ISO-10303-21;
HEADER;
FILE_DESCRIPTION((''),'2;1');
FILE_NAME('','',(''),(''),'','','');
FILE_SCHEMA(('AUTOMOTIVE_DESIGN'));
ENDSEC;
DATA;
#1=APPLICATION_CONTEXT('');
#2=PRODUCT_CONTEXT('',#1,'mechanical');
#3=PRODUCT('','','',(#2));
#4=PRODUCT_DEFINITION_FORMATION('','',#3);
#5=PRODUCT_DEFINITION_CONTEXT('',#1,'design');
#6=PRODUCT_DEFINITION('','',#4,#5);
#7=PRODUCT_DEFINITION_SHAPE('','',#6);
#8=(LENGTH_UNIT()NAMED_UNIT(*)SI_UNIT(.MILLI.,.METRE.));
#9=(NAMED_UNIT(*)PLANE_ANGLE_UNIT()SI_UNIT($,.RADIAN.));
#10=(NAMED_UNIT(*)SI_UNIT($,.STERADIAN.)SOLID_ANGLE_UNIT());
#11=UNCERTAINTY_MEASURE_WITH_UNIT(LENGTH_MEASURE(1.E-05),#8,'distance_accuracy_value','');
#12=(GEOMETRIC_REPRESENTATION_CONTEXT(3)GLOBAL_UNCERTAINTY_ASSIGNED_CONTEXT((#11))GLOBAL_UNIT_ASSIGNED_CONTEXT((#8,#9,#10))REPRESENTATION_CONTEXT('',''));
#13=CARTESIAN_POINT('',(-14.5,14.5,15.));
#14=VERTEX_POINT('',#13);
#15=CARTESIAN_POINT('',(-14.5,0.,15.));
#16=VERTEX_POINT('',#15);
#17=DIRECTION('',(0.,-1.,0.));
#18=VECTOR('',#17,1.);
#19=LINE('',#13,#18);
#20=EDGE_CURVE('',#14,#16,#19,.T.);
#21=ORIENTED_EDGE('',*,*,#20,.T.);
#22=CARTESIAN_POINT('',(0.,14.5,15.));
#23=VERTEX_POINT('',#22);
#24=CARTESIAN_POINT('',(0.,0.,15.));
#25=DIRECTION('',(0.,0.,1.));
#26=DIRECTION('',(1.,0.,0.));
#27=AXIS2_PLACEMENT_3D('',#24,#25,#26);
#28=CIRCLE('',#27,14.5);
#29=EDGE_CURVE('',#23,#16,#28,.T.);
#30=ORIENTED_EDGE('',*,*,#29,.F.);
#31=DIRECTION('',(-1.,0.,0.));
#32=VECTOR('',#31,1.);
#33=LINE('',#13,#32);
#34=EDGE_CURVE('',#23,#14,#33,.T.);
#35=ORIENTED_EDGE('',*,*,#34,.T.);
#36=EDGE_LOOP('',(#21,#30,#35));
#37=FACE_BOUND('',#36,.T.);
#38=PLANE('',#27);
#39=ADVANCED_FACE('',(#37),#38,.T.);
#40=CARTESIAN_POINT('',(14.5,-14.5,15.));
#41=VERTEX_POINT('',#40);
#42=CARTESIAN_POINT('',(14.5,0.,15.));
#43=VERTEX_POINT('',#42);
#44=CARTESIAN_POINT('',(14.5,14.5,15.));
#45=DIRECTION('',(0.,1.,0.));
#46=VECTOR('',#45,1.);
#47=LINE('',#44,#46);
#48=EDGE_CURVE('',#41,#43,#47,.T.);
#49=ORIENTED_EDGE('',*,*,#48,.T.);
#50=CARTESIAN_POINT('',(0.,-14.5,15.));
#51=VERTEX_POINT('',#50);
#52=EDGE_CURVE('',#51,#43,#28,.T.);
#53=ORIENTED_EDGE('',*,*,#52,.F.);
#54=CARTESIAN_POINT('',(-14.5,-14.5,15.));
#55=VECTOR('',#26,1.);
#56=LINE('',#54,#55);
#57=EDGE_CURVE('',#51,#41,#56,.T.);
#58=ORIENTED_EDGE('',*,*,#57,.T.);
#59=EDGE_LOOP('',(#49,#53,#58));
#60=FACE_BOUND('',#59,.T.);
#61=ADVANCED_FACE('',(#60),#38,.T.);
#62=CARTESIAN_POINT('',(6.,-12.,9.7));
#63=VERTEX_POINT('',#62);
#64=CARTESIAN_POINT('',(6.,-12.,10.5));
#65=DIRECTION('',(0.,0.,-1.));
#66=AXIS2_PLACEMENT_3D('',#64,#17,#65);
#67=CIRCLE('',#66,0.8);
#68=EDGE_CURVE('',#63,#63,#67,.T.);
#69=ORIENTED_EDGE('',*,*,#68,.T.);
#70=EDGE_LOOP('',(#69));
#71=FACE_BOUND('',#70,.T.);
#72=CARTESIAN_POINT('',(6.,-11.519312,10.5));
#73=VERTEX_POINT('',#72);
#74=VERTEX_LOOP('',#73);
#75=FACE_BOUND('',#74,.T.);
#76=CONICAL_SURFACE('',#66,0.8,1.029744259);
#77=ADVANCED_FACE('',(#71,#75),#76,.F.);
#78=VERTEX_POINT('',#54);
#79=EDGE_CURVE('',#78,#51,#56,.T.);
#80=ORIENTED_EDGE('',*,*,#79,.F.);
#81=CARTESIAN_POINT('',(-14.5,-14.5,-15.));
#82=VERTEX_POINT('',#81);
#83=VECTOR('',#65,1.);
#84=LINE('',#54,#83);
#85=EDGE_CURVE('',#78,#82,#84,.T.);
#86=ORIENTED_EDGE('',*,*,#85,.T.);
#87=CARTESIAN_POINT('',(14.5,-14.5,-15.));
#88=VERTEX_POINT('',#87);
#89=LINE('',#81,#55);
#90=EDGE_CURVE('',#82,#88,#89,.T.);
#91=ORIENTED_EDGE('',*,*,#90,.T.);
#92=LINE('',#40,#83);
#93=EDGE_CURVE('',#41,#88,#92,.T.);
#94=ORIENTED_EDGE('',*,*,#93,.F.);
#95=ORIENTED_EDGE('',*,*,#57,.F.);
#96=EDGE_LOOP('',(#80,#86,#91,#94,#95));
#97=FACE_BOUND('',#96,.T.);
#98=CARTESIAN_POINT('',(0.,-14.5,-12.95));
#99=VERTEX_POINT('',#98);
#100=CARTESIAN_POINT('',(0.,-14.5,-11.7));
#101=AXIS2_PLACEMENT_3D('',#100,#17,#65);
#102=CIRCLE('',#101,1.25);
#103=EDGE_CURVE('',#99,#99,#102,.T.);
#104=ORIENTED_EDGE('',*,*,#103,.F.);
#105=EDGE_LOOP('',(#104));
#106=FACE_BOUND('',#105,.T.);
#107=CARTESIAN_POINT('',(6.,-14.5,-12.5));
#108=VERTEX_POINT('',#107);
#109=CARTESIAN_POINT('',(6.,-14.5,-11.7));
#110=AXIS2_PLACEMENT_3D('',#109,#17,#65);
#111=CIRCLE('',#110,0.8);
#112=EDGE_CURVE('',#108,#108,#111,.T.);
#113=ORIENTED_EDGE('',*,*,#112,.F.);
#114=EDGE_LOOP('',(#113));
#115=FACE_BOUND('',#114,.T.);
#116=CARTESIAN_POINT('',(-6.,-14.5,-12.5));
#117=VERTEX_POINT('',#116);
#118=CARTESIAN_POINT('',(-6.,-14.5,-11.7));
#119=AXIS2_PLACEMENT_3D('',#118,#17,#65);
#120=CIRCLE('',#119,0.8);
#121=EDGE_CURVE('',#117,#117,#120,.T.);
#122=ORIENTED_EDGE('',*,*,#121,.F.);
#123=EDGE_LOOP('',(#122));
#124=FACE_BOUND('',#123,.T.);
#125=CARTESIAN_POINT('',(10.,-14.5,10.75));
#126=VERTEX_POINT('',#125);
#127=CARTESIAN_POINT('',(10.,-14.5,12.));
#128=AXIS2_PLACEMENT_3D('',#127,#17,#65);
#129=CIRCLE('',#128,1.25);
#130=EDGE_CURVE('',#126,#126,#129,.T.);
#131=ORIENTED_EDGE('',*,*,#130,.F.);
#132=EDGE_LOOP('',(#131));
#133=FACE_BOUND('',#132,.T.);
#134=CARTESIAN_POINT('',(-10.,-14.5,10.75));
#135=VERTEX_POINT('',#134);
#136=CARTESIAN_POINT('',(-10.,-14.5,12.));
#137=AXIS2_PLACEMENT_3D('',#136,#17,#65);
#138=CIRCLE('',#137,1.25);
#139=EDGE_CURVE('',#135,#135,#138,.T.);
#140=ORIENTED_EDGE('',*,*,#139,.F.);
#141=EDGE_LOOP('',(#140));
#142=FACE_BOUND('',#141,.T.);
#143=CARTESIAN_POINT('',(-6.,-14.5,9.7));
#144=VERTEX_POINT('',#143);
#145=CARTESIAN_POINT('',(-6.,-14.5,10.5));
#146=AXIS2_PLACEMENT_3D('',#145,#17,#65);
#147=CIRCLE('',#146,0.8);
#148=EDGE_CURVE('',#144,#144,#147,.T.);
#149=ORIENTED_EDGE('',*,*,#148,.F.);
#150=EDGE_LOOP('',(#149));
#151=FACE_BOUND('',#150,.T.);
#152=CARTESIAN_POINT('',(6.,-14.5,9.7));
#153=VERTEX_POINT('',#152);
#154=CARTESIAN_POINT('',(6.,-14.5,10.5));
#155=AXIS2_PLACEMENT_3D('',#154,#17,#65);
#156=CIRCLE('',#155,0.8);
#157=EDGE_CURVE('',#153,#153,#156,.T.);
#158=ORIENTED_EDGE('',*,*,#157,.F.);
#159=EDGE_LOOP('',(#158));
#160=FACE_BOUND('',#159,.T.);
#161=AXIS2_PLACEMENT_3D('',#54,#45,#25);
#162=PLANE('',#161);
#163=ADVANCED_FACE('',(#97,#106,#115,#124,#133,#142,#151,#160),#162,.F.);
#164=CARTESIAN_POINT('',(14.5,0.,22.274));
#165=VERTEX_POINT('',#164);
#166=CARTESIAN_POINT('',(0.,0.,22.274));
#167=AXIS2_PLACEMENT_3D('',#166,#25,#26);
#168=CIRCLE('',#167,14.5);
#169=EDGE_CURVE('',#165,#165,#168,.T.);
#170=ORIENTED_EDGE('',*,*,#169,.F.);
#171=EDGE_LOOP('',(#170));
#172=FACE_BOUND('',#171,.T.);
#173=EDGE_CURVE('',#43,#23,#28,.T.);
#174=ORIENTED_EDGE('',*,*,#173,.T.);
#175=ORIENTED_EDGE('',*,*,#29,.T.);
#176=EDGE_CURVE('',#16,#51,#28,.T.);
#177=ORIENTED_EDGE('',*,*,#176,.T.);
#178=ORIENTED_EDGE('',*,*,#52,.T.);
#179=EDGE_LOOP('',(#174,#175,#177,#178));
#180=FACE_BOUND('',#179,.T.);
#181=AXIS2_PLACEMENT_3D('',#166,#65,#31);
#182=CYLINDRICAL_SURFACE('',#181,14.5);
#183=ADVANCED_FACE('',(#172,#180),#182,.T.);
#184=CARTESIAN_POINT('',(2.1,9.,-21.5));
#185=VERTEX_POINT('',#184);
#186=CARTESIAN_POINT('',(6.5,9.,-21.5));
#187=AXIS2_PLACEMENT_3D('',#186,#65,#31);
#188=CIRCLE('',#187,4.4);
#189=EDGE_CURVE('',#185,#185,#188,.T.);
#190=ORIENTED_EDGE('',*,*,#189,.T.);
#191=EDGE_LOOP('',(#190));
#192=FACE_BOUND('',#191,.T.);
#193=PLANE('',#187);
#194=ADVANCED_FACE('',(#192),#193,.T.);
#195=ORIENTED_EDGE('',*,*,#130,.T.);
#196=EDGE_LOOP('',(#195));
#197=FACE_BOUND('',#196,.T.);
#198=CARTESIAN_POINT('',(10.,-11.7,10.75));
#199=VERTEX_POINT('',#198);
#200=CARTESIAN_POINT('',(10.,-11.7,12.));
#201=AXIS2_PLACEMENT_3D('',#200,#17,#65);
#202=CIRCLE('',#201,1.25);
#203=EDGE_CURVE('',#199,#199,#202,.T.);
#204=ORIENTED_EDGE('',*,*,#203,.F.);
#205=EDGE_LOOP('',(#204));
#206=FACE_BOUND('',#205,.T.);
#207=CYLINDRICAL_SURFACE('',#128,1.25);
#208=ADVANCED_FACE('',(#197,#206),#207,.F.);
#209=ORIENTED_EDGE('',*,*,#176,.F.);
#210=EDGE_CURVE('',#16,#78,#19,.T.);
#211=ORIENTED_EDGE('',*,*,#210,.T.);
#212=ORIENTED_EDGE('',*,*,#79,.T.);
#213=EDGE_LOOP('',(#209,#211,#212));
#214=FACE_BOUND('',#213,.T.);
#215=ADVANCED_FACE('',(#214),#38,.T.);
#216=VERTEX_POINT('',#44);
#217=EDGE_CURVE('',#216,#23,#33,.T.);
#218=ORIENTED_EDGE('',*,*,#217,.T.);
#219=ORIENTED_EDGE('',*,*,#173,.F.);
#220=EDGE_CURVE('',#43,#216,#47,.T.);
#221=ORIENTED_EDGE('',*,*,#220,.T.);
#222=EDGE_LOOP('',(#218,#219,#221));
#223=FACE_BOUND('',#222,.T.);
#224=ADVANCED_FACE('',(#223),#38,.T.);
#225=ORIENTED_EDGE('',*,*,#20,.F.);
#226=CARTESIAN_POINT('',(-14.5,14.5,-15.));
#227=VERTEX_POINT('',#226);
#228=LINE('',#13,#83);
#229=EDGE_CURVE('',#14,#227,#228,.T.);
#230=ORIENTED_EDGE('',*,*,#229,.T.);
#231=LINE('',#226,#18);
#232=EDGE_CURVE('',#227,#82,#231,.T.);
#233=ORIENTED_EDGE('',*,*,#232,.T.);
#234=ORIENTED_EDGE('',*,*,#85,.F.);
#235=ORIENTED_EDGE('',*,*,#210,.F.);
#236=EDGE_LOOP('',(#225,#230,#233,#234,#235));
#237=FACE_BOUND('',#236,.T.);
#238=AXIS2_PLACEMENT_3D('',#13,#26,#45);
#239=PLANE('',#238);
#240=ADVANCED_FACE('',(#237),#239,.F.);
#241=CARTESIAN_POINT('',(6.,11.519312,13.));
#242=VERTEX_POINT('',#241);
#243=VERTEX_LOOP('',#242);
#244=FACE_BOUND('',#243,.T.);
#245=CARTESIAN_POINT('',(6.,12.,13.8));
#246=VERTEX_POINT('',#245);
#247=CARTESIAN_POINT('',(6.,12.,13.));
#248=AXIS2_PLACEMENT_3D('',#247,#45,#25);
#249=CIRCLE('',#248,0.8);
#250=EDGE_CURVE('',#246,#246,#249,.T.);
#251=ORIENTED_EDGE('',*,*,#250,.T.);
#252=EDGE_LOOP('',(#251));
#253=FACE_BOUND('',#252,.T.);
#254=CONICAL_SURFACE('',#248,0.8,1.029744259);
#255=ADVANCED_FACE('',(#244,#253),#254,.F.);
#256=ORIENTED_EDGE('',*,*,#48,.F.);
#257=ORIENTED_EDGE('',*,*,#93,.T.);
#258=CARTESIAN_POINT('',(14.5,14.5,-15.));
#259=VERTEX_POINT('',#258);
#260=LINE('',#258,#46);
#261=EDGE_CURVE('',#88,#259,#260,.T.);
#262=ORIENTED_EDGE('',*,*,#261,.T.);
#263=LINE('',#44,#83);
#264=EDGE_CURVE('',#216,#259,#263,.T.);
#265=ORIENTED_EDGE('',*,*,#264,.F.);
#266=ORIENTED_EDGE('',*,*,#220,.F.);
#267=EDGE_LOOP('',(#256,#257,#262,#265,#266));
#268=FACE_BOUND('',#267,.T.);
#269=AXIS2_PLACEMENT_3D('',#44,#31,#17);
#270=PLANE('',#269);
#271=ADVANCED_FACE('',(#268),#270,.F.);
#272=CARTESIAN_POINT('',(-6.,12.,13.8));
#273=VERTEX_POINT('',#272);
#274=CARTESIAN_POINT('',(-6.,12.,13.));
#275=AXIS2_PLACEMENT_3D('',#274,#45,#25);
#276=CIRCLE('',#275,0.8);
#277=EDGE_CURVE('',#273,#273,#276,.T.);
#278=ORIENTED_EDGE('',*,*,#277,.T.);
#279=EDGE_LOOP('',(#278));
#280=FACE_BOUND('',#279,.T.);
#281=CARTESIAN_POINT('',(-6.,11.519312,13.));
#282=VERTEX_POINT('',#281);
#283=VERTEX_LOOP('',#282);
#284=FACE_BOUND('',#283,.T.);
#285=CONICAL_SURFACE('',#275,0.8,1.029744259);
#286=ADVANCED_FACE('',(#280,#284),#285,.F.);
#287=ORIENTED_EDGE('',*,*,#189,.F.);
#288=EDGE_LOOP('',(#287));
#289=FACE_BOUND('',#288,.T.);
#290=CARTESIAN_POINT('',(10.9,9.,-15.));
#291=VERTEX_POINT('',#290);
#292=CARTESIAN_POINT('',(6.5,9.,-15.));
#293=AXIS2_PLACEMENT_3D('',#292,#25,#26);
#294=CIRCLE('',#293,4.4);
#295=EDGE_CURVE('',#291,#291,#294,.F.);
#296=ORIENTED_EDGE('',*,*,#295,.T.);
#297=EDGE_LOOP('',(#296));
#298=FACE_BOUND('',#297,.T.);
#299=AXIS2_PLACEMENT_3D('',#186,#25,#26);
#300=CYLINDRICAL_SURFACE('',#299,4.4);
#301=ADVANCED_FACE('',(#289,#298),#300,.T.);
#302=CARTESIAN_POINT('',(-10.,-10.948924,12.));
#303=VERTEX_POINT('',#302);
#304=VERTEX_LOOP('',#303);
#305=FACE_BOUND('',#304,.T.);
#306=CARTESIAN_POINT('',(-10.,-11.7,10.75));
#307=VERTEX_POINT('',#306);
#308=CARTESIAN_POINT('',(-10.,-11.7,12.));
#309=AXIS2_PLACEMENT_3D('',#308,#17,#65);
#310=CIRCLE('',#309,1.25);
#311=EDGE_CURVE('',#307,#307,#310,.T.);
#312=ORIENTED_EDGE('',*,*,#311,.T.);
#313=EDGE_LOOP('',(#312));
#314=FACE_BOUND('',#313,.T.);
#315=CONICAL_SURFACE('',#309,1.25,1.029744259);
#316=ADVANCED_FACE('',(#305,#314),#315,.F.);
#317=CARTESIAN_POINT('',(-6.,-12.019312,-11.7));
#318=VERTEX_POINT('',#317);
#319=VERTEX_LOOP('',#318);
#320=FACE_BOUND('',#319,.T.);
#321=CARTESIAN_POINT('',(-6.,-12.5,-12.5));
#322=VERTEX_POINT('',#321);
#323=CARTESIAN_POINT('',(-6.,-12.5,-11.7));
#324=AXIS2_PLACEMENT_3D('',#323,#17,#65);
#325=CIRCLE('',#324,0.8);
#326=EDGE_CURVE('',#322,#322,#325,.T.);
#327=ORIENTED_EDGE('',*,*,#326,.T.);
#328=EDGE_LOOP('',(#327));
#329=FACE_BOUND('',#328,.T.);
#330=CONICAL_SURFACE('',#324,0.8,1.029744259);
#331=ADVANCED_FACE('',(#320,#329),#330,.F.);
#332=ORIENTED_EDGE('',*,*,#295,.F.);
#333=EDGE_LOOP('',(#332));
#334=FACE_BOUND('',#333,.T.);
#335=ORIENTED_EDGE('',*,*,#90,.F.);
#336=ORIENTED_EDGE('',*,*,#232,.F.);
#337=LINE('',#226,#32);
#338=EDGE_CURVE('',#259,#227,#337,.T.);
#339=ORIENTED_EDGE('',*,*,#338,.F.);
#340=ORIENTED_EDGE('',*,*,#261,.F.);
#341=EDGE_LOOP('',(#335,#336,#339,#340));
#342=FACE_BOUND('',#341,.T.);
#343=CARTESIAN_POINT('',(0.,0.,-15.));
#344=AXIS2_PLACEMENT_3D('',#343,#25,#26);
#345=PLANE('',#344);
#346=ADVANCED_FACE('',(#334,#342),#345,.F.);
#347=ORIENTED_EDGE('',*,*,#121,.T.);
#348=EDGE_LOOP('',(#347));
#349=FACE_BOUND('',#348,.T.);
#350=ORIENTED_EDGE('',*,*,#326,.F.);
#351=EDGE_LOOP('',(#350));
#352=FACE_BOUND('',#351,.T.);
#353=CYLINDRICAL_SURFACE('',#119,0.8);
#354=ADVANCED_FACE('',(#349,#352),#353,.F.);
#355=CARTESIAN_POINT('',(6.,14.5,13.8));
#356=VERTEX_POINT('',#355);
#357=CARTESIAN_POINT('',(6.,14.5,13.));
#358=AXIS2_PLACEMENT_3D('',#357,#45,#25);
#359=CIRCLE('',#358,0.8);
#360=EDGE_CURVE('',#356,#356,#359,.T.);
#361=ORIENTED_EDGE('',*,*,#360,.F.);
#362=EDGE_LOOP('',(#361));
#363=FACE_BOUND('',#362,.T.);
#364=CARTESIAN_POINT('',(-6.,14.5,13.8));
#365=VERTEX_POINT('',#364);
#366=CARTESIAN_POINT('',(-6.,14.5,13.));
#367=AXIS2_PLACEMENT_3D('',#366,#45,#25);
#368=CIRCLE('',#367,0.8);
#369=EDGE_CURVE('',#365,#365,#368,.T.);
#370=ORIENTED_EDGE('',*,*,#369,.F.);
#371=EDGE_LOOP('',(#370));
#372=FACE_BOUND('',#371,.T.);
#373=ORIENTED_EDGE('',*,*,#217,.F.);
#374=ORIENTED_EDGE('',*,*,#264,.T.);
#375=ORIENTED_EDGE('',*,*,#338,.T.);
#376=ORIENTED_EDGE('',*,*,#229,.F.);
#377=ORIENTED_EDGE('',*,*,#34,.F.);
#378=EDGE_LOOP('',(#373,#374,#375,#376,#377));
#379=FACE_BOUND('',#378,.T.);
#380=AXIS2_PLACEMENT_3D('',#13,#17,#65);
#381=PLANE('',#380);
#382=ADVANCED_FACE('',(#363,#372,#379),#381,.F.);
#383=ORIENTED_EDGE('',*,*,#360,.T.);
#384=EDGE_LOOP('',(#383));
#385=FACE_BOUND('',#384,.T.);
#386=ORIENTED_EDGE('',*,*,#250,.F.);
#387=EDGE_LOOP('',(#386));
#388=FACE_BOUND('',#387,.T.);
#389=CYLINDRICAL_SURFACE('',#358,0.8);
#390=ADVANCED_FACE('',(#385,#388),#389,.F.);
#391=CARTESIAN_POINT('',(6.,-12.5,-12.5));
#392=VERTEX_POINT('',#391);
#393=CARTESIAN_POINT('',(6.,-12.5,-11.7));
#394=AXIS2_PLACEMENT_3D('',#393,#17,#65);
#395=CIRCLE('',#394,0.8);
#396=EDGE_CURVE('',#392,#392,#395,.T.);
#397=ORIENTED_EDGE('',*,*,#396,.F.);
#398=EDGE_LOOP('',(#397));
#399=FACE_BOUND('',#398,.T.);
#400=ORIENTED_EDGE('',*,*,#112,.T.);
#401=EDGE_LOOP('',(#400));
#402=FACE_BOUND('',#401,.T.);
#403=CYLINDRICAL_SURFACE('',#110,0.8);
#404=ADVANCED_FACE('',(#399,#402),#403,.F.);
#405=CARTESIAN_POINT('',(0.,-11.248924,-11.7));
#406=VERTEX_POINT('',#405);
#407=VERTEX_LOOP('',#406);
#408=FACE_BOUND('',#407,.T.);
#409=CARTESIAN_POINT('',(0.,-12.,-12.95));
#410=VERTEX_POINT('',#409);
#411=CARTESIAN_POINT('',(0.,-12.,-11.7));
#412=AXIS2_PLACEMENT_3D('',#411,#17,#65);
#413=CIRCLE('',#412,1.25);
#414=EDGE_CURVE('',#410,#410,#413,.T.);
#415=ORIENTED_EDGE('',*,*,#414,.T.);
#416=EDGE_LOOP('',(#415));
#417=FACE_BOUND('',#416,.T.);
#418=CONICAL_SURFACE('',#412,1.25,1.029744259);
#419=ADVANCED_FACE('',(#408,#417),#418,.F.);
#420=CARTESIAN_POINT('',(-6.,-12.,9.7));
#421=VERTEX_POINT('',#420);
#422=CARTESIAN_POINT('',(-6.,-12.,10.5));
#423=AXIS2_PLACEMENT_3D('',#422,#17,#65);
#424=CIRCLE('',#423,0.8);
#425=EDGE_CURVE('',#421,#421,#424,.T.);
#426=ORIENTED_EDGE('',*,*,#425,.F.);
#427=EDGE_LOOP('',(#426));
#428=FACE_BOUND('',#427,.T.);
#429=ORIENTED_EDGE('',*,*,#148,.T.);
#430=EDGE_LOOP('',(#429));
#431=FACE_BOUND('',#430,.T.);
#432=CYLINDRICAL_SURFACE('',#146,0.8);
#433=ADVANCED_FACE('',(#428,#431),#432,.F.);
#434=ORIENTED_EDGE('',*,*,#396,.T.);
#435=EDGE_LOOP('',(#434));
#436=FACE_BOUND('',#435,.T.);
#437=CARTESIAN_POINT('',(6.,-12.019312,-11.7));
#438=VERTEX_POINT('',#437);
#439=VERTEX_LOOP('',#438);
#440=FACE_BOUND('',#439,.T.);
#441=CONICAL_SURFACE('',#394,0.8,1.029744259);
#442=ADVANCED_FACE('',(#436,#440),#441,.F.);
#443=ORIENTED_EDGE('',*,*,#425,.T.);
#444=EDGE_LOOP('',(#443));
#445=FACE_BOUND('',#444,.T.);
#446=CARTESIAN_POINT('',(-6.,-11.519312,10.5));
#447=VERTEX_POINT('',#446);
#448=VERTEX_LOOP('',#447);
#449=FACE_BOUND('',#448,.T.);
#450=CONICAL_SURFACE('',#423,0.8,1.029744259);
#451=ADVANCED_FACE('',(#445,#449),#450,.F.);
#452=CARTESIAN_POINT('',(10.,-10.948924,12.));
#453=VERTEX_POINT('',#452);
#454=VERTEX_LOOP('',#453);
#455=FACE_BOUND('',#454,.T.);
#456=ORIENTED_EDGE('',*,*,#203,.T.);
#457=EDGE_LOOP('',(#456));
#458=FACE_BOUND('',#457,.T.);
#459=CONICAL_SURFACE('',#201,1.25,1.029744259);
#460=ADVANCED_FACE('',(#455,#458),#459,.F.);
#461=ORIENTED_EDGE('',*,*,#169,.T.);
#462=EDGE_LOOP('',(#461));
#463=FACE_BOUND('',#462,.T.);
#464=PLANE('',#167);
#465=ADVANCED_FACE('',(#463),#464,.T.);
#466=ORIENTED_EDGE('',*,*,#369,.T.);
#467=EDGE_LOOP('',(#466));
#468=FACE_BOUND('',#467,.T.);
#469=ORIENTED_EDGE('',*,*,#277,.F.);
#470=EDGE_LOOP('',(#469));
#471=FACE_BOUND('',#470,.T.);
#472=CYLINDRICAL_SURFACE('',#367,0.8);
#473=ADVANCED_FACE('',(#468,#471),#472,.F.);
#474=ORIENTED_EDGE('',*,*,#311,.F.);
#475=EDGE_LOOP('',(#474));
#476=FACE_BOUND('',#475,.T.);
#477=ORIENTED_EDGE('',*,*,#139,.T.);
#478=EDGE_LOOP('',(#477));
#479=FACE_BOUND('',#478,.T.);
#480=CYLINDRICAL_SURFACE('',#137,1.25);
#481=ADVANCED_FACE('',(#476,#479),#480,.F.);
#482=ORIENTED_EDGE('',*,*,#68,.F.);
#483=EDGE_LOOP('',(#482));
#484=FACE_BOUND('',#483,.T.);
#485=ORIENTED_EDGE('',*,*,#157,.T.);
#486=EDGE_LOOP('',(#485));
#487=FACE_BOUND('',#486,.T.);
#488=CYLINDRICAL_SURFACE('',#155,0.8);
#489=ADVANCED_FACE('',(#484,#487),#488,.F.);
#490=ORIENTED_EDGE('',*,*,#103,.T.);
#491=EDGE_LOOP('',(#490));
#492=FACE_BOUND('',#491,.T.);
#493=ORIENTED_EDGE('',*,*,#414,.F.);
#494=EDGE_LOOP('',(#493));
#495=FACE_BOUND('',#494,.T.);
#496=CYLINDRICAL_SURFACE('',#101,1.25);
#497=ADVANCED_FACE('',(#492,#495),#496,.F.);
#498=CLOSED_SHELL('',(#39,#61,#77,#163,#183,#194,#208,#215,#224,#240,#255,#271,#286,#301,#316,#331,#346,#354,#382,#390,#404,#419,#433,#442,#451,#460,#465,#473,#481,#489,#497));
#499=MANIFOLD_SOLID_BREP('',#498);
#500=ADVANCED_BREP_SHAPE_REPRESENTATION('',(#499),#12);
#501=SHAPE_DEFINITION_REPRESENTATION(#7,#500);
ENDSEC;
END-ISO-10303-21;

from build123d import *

# Parameters (mm, degrees)
SKETCH1_W                 = 29
SKETCH1_H                 = 29
BOSS_EXTRUDE1_DEPTH       = 15
SKETCH2_R                 = 14.5
BOSS_EXTRUDE2_DEPTH       = 7.274
M2X0_4_TAPPED_HOLE1_D     = 1.6
M2X0_4_TAPPED_HOLE1_DEPTH = 2.5
M2X0_4_TAPPED_HOLE1_TIP   = 0.480688495
M2X0_4_TAPPED_HOLE2_D     = 1.6
M2X0_4_TAPPED_HOLE2_DEPTH = 2
M2X0_4_TAPPED_HOLE2_TIP   = 0.480688495
M2X0_4_TAPPED_HOLE3_D     = 1.6
M2X0_4_TAPPED_HOLE3_DEPTH = 2.5
M2X0_4_TAPPED_HOLE3_TIP   = 0.480688495
M3X0_5_TAPPED_HOLE2_D     = 2.5
M3X0_5_TAPPED_HOLE2_DEPTH = 2.8
M3X0_5_TAPPED_HOLE2_TIP   = 0.751075774
M3X0_5_TAPPED_HOLE1_D     = 2.5
M3X0_5_TAPPED_HOLE1_DEPTH = 2.5
M3X0_5_TAPPED_HOLE1_TIP   = 0.751075774
SKETCH10_R                = 4.4
BOSS_EXTRUDE3_DEPTH       = 6.5


with BuildPart() as part:
    # Sketch1 → Boss-Extrude1 (new body, symmetric)
    with BuildSketch(Plane.XY):
        Rectangle(SKETCH1_W, SKETCH1_H)
    extrude(amount=BOSS_EXTRUDE1_DEPTH, both=True)

    # Sketch2 → Boss-Extrude2 (add)
    with BuildSketch(Plane.XY.offset(15)):
        Circle(SKETCH2_R)
    extrude(amount=BOSS_EXTRUDE2_DEPTH)

    # M2x0.4 Tapped Hole1
    with Locations(Plane(origin=(-6, 14.5, 13), x_dir=(0, 0, 1), z_dir=(0, 1, 0))):
        with Locations((0, 0), (0, 12)):
            Hole(M2X0_4_TAPPED_HOLE1_D / 2, depth=M2X0_4_TAPPED_HOLE1_DEPTH)
            with Locations((0, 0, -(M2X0_4_TAPPED_HOLE1_DEPTH + M2X0_4_TAPPED_HOLE1_TIP / 2))):  # 118° drill point
                Cone(0, M2X0_4_TAPPED_HOLE1_D / 2, M2X0_4_TAPPED_HOLE1_TIP, mode=Mode.SUBTRACT)

    # M2x0.4 Tapped Hole2
    with Locations(Plane(origin=(-6, -14.5, -11.7), x_dir=(0, 0, -1), z_dir=(0, -1, 0))):
        with Locations((0, 0), (0, 12)):
            Hole(M2X0_4_TAPPED_HOLE2_D / 2, depth=M2X0_4_TAPPED_HOLE2_DEPTH)
            with Locations((0, 0, -(M2X0_4_TAPPED_HOLE2_DEPTH + M2X0_4_TAPPED_HOLE2_TIP / 2))):  # 118° drill point
                Cone(0, M2X0_4_TAPPED_HOLE2_D / 2, M2X0_4_TAPPED_HOLE2_TIP, mode=Mode.SUBTRACT)

    # M2x0.4 Tapped Hole3
    with Locations(Plane(origin=(-6, -14.5, 10.5), x_dir=(0, 0, -1), z_dir=(0, -1, 0))):
        with Locations((0, 0), (0, 12)):
            Hole(M2X0_4_TAPPED_HOLE3_D / 2, depth=M2X0_4_TAPPED_HOLE3_DEPTH)
            with Locations((0, 0, -(M2X0_4_TAPPED_HOLE3_DEPTH + M2X0_4_TAPPED_HOLE3_TIP / 2))):  # 118° drill point
                Cone(0, M2X0_4_TAPPED_HOLE3_D / 2, M2X0_4_TAPPED_HOLE3_TIP, mode=Mode.SUBTRACT)

    # M3x0.5 Tapped Hole2
    with Locations(Plane(origin=(10, -14.5, 12), x_dir=(0, 0, -1), z_dir=(0, -1, 0))):
        with Locations((0, 0), (0, -20)):
            Hole(M3X0_5_TAPPED_HOLE2_D / 2, depth=M3X0_5_TAPPED_HOLE2_DEPTH)
            with Locations((0, 0, -(M3X0_5_TAPPED_HOLE2_DEPTH + M3X0_5_TAPPED_HOLE2_TIP / 2))):  # 118° drill point
                Cone(0, M3X0_5_TAPPED_HOLE2_D / 2, M3X0_5_TAPPED_HOLE2_TIP, mode=Mode.SUBTRACT)

    # M3x0.5 Tapped Hole1
    with Locations(Plane(origin=(0, -14.5, -11.7), x_dir=(0, 0, -1), z_dir=(0, -1, 0))):
        with Locations((0, 0)):
            Hole(M3X0_5_TAPPED_HOLE1_D / 2, depth=M3X0_5_TAPPED_HOLE1_DEPTH)
            with Locations((0, 0, -(M3X0_5_TAPPED_HOLE1_DEPTH + M3X0_5_TAPPED_HOLE1_TIP / 2))):  # 118° drill point
                Cone(0, M3X0_5_TAPPED_HOLE1_D / 2, M3X0_5_TAPPED_HOLE1_TIP, mode=Mode.SUBTRACT)

    # Sketch10 → Boss-Extrude3 (add)
    with BuildSketch(Plane(origin=(0, 0, -15), x_dir=(-1, 0, 0), z_dir=(0, 0, -1))):
        with Locations((-6.5, 9)):
            Circle(SKETCH10_R)
    extrude(amount=BOSS_EXTRUDE3_DEPTH)


solid = part.part
